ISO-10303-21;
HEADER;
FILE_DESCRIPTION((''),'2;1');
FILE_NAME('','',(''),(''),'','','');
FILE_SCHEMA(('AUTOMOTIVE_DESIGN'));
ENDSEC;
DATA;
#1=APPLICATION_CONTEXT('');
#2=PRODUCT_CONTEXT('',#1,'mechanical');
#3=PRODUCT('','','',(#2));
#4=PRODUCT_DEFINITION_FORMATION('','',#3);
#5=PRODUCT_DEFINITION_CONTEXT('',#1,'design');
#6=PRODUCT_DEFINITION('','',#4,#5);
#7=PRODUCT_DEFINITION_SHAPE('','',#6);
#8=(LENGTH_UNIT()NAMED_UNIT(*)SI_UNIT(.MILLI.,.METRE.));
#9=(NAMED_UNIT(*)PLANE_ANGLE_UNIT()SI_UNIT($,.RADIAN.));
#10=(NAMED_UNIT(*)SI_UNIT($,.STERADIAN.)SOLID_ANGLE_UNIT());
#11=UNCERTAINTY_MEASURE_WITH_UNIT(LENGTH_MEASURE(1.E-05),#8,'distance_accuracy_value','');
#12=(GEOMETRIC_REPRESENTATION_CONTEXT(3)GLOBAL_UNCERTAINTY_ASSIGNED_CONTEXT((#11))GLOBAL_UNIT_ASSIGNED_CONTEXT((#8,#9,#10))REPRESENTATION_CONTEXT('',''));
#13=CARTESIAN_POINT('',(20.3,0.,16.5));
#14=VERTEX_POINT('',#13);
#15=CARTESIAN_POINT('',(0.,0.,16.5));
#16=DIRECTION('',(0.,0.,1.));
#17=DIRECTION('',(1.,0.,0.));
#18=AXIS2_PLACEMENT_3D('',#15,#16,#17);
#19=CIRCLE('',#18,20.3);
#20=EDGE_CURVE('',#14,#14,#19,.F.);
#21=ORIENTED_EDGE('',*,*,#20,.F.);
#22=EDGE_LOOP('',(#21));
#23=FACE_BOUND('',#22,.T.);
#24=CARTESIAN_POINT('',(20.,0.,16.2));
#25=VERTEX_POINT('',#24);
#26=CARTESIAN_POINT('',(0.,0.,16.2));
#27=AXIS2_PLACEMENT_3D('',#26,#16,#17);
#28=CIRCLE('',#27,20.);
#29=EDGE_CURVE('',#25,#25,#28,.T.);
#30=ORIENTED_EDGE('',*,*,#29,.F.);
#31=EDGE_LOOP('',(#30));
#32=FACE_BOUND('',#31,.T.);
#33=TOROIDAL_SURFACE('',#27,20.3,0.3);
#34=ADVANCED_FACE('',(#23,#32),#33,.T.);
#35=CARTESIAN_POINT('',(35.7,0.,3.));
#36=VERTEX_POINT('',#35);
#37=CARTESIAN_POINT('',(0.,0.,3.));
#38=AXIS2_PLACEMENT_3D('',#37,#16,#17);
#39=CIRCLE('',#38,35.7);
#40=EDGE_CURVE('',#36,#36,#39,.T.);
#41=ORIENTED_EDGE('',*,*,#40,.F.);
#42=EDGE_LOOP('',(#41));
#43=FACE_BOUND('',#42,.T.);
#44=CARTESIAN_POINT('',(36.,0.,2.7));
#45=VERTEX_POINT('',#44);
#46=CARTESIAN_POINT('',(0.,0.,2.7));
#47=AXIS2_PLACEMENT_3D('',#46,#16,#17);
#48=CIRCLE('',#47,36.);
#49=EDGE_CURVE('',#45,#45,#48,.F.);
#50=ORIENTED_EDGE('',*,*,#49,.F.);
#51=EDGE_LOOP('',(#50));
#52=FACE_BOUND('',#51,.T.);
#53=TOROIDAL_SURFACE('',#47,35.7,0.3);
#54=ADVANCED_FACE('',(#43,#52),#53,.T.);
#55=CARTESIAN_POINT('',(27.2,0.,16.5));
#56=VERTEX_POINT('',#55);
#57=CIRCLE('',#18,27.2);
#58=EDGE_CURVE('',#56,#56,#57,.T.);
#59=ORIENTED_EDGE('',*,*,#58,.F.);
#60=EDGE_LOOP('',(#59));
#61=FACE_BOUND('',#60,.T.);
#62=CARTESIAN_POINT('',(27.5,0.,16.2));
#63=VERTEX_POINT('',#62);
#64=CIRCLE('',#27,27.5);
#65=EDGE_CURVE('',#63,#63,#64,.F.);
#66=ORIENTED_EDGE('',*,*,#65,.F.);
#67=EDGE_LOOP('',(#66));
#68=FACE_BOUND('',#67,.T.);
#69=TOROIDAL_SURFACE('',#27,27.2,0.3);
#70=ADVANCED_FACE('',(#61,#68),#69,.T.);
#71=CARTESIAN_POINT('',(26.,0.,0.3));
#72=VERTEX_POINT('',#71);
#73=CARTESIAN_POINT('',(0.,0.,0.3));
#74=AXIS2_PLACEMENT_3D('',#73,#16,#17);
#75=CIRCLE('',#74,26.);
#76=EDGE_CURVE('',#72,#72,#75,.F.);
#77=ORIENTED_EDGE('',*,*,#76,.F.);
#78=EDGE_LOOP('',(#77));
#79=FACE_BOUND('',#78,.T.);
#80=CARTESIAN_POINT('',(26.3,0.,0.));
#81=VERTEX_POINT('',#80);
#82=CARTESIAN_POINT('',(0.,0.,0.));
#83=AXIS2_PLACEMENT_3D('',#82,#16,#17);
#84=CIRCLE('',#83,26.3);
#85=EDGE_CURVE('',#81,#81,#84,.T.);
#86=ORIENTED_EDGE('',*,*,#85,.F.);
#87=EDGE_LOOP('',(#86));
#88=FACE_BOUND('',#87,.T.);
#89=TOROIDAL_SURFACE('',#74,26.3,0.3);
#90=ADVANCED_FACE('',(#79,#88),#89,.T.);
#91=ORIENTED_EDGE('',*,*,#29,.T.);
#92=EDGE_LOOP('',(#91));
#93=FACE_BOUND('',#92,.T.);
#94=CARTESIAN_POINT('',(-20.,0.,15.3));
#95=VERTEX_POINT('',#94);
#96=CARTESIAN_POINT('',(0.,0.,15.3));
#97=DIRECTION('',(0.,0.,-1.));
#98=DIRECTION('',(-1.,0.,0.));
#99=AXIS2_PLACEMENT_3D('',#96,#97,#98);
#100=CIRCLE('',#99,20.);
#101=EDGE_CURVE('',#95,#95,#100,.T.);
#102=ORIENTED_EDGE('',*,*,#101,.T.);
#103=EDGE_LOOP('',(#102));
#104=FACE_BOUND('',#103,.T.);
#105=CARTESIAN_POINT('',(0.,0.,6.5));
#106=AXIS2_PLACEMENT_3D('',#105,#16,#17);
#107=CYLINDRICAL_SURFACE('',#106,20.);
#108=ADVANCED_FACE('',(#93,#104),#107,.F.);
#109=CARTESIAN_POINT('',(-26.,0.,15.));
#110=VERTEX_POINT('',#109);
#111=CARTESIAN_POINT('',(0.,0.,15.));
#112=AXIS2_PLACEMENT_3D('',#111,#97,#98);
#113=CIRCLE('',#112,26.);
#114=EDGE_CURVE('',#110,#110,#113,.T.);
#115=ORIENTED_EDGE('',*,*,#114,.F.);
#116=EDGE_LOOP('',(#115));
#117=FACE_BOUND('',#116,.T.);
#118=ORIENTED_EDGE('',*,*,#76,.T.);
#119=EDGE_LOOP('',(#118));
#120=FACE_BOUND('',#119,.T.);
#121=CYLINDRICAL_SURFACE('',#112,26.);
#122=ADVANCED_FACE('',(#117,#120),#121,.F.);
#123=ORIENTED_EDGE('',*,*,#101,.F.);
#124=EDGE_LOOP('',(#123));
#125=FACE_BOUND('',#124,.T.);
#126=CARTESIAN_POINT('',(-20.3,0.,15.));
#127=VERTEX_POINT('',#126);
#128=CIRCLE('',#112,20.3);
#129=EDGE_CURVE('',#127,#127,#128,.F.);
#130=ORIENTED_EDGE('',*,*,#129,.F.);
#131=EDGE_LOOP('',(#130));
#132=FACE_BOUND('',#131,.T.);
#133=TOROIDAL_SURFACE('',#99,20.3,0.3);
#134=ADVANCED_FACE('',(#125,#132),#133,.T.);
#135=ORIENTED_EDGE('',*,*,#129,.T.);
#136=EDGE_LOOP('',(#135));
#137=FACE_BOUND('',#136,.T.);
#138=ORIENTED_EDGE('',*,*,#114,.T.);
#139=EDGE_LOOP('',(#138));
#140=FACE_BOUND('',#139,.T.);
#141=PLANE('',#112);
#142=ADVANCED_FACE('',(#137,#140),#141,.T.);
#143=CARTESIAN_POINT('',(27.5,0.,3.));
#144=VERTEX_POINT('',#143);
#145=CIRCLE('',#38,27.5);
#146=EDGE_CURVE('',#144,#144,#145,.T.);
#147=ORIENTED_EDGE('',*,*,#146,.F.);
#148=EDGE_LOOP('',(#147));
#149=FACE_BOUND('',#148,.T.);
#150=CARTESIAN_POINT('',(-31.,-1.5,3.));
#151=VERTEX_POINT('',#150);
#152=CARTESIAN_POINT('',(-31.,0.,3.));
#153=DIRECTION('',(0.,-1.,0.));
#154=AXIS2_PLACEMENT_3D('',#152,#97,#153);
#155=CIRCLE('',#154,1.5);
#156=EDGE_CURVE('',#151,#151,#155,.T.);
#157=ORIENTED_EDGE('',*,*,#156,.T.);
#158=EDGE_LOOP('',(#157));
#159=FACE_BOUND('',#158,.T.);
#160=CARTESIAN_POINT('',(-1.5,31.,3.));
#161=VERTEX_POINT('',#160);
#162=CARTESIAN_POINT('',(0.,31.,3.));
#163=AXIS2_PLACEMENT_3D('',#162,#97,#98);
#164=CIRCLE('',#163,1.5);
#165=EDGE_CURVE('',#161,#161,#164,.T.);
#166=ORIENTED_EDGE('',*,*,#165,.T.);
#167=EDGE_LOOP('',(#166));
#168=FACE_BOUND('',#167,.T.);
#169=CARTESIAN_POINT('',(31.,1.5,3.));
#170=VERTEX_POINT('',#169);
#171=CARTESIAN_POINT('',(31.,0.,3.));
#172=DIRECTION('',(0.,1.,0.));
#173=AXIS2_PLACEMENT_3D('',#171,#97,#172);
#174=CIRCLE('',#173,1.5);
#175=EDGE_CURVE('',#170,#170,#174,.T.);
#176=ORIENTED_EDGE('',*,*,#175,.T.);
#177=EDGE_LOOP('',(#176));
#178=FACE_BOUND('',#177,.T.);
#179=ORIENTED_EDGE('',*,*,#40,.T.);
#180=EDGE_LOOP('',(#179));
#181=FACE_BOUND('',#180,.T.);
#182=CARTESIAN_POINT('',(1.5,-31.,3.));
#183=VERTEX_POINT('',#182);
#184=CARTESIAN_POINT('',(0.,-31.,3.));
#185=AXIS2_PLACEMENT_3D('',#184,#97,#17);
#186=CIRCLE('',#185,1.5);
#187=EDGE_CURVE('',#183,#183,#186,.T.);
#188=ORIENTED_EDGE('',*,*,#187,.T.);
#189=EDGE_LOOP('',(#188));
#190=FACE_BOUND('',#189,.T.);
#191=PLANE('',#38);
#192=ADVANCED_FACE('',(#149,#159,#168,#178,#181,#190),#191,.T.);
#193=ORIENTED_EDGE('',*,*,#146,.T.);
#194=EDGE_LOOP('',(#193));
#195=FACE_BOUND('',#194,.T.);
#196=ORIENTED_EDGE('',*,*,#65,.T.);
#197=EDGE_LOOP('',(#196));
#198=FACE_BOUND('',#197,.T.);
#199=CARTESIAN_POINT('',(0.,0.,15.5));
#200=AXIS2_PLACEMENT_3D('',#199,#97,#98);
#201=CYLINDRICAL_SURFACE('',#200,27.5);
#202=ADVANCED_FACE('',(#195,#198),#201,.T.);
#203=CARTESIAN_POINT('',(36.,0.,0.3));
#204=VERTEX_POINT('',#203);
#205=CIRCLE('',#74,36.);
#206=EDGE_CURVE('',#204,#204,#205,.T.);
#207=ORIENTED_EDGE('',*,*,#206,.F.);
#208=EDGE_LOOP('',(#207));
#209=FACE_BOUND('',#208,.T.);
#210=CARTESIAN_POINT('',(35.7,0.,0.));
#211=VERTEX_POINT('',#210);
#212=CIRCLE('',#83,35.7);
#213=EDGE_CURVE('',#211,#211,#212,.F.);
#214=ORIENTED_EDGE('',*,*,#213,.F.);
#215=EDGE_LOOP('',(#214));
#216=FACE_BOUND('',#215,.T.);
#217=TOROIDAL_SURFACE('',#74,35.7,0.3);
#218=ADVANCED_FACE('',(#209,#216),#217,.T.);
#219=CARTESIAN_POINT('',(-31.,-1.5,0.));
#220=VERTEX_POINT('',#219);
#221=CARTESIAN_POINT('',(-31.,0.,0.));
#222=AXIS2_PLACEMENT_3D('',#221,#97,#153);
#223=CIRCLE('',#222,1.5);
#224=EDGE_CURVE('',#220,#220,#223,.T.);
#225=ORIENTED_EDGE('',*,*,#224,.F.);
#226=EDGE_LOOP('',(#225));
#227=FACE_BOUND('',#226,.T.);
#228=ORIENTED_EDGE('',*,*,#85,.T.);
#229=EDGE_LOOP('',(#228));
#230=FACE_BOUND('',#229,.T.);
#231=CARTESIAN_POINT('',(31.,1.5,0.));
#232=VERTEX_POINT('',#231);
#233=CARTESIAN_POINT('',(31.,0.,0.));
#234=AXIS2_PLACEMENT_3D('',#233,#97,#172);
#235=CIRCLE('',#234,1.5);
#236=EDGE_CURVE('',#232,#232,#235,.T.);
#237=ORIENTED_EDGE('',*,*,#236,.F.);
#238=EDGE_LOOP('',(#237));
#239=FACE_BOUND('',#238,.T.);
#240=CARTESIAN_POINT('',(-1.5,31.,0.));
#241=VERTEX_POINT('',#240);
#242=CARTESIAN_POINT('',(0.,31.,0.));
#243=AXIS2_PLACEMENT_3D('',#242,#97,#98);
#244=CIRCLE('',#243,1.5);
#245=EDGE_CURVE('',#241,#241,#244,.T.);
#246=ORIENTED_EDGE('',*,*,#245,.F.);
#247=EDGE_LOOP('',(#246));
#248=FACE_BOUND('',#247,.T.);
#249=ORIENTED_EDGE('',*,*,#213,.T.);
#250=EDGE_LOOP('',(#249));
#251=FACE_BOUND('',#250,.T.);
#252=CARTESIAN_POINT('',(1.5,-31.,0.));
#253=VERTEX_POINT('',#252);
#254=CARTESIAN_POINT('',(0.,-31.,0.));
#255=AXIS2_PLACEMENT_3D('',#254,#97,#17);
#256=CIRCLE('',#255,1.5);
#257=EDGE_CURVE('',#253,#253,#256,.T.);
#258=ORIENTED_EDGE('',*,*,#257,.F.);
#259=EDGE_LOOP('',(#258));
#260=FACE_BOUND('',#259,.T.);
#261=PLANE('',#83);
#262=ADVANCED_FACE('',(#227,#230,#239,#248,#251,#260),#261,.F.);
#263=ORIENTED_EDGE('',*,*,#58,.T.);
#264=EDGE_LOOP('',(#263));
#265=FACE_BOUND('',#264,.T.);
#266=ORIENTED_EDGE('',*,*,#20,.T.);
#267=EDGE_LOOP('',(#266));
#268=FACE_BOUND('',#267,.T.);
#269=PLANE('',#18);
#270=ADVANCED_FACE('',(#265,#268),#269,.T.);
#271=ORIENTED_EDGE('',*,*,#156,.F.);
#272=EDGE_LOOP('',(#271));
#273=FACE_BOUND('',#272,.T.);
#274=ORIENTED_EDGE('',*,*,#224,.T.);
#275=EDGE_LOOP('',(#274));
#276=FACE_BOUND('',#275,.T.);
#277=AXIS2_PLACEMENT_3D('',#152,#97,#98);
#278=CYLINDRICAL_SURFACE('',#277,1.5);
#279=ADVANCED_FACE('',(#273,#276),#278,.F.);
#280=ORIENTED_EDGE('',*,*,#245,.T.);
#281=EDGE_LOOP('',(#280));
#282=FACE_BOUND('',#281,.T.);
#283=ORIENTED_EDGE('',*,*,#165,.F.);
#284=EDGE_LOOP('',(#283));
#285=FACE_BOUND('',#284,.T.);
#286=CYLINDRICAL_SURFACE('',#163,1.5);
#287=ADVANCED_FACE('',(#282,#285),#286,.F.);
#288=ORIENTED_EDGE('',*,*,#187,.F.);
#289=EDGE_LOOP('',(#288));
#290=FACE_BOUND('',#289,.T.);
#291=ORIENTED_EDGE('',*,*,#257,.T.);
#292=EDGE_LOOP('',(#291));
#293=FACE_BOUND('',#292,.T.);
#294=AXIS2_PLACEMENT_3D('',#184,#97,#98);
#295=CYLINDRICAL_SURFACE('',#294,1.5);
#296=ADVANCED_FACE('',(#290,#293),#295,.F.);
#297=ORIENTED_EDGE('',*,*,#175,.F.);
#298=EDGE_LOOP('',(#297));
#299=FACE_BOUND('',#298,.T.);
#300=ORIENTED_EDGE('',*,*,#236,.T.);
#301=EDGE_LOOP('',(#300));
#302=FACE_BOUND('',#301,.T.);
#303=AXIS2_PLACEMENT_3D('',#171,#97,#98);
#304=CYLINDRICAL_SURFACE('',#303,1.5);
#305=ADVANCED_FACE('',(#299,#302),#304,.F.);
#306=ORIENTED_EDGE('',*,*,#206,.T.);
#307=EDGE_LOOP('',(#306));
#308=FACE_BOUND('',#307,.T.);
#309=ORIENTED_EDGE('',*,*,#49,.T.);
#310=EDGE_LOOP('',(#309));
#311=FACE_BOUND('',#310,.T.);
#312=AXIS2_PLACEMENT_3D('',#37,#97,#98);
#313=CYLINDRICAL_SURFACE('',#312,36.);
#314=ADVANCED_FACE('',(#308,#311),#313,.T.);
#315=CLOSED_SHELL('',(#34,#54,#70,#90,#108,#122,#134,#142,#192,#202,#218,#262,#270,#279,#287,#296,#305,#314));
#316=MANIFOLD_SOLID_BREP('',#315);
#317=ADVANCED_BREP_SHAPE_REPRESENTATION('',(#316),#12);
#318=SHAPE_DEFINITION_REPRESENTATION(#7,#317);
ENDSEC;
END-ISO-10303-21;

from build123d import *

# Parameters (mm, degrees)
SKETCH_1_R               = 36
EXTRUDE_1_DEPTH          = 3
SKETCH_2_R               = 27.5
EXTRUDE_2_DEPTH          = 12.5
SKETCH_3_R               = 26
CUT_EXTRUDE_1_DEPTH      = 15
SKETCH_4_R               = 27.5
EXTRUDE_3_DEPTH          = 1
SKETCH_6_R               = 1.5
CUT_EXTRUDE_3_DEPTH      = 3
PATTERN_CIRCULAR_1_COUNT = 4
SKETCH_7_R               = 20
CUT_EXTRUDE_4_DEPTH      = 10
FILLET_1_R               = 0.3


with BuildPart() as part:
    # 草图1 → 凸台-拉伸1 (new body)
    with BuildSketch(Plane.XY):
        Circle(SKETCH_1_R)
    extrude(amount=EXTRUDE_1_DEPTH)

    # 草图2 → 凸台-拉伸2 (add)
    with BuildSketch(Plane.XY.offset(3)):
        Circle(SKETCH_2_R)
    extrude(amount=EXTRUDE_2_DEPTH)

    # 草图3 → 切除-拉伸1 (cut)
    with BuildSketch(Plane(origin=(0, 0, 0), x_dir=(-1, 0, 0), z_dir=(0, 0, -1))):
        Circle(SKETCH_3_R)
    extrude(amount=-CUT_EXTRUDE_1_DEPTH, mode=Mode.SUBTRACT)

    # 草图4 → 凸台-拉伸3 (add)
    with BuildSketch(Plane.XY.offset(15.5)):
        Circle(SKETCH_4_R)
    extrude(amount=EXTRUDE_3_DEPTH)

    # 草图6 → 切除-拉伸3 (cut)
    with BuildSketch(Plane(origin=(0, 0, 0), x_dir=(-1, 0, 0), z_dir=(0, 0, -1))):
        with Locations((0, 31)):
            Circle(SKETCH_6_R)
    cut_extrude_3 = extrude(amount=-CUT_EXTRUDE_3_DEPTH, mode=Mode.SUBTRACT)

    # 阵列(圆周)1: 切除-拉伸3 ×4 about axis
    pattern_circular_1_axis = Axis((0, 0, 0), (0, 0, 1))
    for i in range(1, PATTERN_CIRCULAR_1_COUNT):
        add(cut_extrude_3.rotate(pattern_circular_1_axis, i * 360 / PATTERN_CIRCULAR_1_COUNT), mode=Mode.SUBTRACT)

    # 草图7 → 切除-拉伸4 (cut)
    with BuildSketch(Plane.XY.offset(16.5)):
        Circle(SKETCH_7_R)
    extrude(amount=-CUT_EXTRUDE_4_DEPTH, mode=Mode.SUBTRACT)

    # 圆角1
    fillet_1_edges = [part.edges().sort_by_distance(p)[0] for p in [
        (26, 0, 0),
        (-27.5, 0, 16.5),
        (-36, 0, 0),
        (-20, 0, 15),
        (-20, 0, 16.5),
        (-36, 0, 3),
    ]]
    fillet(fillet_1_edges, radius=FILLET_1_R)


solid = part.part
